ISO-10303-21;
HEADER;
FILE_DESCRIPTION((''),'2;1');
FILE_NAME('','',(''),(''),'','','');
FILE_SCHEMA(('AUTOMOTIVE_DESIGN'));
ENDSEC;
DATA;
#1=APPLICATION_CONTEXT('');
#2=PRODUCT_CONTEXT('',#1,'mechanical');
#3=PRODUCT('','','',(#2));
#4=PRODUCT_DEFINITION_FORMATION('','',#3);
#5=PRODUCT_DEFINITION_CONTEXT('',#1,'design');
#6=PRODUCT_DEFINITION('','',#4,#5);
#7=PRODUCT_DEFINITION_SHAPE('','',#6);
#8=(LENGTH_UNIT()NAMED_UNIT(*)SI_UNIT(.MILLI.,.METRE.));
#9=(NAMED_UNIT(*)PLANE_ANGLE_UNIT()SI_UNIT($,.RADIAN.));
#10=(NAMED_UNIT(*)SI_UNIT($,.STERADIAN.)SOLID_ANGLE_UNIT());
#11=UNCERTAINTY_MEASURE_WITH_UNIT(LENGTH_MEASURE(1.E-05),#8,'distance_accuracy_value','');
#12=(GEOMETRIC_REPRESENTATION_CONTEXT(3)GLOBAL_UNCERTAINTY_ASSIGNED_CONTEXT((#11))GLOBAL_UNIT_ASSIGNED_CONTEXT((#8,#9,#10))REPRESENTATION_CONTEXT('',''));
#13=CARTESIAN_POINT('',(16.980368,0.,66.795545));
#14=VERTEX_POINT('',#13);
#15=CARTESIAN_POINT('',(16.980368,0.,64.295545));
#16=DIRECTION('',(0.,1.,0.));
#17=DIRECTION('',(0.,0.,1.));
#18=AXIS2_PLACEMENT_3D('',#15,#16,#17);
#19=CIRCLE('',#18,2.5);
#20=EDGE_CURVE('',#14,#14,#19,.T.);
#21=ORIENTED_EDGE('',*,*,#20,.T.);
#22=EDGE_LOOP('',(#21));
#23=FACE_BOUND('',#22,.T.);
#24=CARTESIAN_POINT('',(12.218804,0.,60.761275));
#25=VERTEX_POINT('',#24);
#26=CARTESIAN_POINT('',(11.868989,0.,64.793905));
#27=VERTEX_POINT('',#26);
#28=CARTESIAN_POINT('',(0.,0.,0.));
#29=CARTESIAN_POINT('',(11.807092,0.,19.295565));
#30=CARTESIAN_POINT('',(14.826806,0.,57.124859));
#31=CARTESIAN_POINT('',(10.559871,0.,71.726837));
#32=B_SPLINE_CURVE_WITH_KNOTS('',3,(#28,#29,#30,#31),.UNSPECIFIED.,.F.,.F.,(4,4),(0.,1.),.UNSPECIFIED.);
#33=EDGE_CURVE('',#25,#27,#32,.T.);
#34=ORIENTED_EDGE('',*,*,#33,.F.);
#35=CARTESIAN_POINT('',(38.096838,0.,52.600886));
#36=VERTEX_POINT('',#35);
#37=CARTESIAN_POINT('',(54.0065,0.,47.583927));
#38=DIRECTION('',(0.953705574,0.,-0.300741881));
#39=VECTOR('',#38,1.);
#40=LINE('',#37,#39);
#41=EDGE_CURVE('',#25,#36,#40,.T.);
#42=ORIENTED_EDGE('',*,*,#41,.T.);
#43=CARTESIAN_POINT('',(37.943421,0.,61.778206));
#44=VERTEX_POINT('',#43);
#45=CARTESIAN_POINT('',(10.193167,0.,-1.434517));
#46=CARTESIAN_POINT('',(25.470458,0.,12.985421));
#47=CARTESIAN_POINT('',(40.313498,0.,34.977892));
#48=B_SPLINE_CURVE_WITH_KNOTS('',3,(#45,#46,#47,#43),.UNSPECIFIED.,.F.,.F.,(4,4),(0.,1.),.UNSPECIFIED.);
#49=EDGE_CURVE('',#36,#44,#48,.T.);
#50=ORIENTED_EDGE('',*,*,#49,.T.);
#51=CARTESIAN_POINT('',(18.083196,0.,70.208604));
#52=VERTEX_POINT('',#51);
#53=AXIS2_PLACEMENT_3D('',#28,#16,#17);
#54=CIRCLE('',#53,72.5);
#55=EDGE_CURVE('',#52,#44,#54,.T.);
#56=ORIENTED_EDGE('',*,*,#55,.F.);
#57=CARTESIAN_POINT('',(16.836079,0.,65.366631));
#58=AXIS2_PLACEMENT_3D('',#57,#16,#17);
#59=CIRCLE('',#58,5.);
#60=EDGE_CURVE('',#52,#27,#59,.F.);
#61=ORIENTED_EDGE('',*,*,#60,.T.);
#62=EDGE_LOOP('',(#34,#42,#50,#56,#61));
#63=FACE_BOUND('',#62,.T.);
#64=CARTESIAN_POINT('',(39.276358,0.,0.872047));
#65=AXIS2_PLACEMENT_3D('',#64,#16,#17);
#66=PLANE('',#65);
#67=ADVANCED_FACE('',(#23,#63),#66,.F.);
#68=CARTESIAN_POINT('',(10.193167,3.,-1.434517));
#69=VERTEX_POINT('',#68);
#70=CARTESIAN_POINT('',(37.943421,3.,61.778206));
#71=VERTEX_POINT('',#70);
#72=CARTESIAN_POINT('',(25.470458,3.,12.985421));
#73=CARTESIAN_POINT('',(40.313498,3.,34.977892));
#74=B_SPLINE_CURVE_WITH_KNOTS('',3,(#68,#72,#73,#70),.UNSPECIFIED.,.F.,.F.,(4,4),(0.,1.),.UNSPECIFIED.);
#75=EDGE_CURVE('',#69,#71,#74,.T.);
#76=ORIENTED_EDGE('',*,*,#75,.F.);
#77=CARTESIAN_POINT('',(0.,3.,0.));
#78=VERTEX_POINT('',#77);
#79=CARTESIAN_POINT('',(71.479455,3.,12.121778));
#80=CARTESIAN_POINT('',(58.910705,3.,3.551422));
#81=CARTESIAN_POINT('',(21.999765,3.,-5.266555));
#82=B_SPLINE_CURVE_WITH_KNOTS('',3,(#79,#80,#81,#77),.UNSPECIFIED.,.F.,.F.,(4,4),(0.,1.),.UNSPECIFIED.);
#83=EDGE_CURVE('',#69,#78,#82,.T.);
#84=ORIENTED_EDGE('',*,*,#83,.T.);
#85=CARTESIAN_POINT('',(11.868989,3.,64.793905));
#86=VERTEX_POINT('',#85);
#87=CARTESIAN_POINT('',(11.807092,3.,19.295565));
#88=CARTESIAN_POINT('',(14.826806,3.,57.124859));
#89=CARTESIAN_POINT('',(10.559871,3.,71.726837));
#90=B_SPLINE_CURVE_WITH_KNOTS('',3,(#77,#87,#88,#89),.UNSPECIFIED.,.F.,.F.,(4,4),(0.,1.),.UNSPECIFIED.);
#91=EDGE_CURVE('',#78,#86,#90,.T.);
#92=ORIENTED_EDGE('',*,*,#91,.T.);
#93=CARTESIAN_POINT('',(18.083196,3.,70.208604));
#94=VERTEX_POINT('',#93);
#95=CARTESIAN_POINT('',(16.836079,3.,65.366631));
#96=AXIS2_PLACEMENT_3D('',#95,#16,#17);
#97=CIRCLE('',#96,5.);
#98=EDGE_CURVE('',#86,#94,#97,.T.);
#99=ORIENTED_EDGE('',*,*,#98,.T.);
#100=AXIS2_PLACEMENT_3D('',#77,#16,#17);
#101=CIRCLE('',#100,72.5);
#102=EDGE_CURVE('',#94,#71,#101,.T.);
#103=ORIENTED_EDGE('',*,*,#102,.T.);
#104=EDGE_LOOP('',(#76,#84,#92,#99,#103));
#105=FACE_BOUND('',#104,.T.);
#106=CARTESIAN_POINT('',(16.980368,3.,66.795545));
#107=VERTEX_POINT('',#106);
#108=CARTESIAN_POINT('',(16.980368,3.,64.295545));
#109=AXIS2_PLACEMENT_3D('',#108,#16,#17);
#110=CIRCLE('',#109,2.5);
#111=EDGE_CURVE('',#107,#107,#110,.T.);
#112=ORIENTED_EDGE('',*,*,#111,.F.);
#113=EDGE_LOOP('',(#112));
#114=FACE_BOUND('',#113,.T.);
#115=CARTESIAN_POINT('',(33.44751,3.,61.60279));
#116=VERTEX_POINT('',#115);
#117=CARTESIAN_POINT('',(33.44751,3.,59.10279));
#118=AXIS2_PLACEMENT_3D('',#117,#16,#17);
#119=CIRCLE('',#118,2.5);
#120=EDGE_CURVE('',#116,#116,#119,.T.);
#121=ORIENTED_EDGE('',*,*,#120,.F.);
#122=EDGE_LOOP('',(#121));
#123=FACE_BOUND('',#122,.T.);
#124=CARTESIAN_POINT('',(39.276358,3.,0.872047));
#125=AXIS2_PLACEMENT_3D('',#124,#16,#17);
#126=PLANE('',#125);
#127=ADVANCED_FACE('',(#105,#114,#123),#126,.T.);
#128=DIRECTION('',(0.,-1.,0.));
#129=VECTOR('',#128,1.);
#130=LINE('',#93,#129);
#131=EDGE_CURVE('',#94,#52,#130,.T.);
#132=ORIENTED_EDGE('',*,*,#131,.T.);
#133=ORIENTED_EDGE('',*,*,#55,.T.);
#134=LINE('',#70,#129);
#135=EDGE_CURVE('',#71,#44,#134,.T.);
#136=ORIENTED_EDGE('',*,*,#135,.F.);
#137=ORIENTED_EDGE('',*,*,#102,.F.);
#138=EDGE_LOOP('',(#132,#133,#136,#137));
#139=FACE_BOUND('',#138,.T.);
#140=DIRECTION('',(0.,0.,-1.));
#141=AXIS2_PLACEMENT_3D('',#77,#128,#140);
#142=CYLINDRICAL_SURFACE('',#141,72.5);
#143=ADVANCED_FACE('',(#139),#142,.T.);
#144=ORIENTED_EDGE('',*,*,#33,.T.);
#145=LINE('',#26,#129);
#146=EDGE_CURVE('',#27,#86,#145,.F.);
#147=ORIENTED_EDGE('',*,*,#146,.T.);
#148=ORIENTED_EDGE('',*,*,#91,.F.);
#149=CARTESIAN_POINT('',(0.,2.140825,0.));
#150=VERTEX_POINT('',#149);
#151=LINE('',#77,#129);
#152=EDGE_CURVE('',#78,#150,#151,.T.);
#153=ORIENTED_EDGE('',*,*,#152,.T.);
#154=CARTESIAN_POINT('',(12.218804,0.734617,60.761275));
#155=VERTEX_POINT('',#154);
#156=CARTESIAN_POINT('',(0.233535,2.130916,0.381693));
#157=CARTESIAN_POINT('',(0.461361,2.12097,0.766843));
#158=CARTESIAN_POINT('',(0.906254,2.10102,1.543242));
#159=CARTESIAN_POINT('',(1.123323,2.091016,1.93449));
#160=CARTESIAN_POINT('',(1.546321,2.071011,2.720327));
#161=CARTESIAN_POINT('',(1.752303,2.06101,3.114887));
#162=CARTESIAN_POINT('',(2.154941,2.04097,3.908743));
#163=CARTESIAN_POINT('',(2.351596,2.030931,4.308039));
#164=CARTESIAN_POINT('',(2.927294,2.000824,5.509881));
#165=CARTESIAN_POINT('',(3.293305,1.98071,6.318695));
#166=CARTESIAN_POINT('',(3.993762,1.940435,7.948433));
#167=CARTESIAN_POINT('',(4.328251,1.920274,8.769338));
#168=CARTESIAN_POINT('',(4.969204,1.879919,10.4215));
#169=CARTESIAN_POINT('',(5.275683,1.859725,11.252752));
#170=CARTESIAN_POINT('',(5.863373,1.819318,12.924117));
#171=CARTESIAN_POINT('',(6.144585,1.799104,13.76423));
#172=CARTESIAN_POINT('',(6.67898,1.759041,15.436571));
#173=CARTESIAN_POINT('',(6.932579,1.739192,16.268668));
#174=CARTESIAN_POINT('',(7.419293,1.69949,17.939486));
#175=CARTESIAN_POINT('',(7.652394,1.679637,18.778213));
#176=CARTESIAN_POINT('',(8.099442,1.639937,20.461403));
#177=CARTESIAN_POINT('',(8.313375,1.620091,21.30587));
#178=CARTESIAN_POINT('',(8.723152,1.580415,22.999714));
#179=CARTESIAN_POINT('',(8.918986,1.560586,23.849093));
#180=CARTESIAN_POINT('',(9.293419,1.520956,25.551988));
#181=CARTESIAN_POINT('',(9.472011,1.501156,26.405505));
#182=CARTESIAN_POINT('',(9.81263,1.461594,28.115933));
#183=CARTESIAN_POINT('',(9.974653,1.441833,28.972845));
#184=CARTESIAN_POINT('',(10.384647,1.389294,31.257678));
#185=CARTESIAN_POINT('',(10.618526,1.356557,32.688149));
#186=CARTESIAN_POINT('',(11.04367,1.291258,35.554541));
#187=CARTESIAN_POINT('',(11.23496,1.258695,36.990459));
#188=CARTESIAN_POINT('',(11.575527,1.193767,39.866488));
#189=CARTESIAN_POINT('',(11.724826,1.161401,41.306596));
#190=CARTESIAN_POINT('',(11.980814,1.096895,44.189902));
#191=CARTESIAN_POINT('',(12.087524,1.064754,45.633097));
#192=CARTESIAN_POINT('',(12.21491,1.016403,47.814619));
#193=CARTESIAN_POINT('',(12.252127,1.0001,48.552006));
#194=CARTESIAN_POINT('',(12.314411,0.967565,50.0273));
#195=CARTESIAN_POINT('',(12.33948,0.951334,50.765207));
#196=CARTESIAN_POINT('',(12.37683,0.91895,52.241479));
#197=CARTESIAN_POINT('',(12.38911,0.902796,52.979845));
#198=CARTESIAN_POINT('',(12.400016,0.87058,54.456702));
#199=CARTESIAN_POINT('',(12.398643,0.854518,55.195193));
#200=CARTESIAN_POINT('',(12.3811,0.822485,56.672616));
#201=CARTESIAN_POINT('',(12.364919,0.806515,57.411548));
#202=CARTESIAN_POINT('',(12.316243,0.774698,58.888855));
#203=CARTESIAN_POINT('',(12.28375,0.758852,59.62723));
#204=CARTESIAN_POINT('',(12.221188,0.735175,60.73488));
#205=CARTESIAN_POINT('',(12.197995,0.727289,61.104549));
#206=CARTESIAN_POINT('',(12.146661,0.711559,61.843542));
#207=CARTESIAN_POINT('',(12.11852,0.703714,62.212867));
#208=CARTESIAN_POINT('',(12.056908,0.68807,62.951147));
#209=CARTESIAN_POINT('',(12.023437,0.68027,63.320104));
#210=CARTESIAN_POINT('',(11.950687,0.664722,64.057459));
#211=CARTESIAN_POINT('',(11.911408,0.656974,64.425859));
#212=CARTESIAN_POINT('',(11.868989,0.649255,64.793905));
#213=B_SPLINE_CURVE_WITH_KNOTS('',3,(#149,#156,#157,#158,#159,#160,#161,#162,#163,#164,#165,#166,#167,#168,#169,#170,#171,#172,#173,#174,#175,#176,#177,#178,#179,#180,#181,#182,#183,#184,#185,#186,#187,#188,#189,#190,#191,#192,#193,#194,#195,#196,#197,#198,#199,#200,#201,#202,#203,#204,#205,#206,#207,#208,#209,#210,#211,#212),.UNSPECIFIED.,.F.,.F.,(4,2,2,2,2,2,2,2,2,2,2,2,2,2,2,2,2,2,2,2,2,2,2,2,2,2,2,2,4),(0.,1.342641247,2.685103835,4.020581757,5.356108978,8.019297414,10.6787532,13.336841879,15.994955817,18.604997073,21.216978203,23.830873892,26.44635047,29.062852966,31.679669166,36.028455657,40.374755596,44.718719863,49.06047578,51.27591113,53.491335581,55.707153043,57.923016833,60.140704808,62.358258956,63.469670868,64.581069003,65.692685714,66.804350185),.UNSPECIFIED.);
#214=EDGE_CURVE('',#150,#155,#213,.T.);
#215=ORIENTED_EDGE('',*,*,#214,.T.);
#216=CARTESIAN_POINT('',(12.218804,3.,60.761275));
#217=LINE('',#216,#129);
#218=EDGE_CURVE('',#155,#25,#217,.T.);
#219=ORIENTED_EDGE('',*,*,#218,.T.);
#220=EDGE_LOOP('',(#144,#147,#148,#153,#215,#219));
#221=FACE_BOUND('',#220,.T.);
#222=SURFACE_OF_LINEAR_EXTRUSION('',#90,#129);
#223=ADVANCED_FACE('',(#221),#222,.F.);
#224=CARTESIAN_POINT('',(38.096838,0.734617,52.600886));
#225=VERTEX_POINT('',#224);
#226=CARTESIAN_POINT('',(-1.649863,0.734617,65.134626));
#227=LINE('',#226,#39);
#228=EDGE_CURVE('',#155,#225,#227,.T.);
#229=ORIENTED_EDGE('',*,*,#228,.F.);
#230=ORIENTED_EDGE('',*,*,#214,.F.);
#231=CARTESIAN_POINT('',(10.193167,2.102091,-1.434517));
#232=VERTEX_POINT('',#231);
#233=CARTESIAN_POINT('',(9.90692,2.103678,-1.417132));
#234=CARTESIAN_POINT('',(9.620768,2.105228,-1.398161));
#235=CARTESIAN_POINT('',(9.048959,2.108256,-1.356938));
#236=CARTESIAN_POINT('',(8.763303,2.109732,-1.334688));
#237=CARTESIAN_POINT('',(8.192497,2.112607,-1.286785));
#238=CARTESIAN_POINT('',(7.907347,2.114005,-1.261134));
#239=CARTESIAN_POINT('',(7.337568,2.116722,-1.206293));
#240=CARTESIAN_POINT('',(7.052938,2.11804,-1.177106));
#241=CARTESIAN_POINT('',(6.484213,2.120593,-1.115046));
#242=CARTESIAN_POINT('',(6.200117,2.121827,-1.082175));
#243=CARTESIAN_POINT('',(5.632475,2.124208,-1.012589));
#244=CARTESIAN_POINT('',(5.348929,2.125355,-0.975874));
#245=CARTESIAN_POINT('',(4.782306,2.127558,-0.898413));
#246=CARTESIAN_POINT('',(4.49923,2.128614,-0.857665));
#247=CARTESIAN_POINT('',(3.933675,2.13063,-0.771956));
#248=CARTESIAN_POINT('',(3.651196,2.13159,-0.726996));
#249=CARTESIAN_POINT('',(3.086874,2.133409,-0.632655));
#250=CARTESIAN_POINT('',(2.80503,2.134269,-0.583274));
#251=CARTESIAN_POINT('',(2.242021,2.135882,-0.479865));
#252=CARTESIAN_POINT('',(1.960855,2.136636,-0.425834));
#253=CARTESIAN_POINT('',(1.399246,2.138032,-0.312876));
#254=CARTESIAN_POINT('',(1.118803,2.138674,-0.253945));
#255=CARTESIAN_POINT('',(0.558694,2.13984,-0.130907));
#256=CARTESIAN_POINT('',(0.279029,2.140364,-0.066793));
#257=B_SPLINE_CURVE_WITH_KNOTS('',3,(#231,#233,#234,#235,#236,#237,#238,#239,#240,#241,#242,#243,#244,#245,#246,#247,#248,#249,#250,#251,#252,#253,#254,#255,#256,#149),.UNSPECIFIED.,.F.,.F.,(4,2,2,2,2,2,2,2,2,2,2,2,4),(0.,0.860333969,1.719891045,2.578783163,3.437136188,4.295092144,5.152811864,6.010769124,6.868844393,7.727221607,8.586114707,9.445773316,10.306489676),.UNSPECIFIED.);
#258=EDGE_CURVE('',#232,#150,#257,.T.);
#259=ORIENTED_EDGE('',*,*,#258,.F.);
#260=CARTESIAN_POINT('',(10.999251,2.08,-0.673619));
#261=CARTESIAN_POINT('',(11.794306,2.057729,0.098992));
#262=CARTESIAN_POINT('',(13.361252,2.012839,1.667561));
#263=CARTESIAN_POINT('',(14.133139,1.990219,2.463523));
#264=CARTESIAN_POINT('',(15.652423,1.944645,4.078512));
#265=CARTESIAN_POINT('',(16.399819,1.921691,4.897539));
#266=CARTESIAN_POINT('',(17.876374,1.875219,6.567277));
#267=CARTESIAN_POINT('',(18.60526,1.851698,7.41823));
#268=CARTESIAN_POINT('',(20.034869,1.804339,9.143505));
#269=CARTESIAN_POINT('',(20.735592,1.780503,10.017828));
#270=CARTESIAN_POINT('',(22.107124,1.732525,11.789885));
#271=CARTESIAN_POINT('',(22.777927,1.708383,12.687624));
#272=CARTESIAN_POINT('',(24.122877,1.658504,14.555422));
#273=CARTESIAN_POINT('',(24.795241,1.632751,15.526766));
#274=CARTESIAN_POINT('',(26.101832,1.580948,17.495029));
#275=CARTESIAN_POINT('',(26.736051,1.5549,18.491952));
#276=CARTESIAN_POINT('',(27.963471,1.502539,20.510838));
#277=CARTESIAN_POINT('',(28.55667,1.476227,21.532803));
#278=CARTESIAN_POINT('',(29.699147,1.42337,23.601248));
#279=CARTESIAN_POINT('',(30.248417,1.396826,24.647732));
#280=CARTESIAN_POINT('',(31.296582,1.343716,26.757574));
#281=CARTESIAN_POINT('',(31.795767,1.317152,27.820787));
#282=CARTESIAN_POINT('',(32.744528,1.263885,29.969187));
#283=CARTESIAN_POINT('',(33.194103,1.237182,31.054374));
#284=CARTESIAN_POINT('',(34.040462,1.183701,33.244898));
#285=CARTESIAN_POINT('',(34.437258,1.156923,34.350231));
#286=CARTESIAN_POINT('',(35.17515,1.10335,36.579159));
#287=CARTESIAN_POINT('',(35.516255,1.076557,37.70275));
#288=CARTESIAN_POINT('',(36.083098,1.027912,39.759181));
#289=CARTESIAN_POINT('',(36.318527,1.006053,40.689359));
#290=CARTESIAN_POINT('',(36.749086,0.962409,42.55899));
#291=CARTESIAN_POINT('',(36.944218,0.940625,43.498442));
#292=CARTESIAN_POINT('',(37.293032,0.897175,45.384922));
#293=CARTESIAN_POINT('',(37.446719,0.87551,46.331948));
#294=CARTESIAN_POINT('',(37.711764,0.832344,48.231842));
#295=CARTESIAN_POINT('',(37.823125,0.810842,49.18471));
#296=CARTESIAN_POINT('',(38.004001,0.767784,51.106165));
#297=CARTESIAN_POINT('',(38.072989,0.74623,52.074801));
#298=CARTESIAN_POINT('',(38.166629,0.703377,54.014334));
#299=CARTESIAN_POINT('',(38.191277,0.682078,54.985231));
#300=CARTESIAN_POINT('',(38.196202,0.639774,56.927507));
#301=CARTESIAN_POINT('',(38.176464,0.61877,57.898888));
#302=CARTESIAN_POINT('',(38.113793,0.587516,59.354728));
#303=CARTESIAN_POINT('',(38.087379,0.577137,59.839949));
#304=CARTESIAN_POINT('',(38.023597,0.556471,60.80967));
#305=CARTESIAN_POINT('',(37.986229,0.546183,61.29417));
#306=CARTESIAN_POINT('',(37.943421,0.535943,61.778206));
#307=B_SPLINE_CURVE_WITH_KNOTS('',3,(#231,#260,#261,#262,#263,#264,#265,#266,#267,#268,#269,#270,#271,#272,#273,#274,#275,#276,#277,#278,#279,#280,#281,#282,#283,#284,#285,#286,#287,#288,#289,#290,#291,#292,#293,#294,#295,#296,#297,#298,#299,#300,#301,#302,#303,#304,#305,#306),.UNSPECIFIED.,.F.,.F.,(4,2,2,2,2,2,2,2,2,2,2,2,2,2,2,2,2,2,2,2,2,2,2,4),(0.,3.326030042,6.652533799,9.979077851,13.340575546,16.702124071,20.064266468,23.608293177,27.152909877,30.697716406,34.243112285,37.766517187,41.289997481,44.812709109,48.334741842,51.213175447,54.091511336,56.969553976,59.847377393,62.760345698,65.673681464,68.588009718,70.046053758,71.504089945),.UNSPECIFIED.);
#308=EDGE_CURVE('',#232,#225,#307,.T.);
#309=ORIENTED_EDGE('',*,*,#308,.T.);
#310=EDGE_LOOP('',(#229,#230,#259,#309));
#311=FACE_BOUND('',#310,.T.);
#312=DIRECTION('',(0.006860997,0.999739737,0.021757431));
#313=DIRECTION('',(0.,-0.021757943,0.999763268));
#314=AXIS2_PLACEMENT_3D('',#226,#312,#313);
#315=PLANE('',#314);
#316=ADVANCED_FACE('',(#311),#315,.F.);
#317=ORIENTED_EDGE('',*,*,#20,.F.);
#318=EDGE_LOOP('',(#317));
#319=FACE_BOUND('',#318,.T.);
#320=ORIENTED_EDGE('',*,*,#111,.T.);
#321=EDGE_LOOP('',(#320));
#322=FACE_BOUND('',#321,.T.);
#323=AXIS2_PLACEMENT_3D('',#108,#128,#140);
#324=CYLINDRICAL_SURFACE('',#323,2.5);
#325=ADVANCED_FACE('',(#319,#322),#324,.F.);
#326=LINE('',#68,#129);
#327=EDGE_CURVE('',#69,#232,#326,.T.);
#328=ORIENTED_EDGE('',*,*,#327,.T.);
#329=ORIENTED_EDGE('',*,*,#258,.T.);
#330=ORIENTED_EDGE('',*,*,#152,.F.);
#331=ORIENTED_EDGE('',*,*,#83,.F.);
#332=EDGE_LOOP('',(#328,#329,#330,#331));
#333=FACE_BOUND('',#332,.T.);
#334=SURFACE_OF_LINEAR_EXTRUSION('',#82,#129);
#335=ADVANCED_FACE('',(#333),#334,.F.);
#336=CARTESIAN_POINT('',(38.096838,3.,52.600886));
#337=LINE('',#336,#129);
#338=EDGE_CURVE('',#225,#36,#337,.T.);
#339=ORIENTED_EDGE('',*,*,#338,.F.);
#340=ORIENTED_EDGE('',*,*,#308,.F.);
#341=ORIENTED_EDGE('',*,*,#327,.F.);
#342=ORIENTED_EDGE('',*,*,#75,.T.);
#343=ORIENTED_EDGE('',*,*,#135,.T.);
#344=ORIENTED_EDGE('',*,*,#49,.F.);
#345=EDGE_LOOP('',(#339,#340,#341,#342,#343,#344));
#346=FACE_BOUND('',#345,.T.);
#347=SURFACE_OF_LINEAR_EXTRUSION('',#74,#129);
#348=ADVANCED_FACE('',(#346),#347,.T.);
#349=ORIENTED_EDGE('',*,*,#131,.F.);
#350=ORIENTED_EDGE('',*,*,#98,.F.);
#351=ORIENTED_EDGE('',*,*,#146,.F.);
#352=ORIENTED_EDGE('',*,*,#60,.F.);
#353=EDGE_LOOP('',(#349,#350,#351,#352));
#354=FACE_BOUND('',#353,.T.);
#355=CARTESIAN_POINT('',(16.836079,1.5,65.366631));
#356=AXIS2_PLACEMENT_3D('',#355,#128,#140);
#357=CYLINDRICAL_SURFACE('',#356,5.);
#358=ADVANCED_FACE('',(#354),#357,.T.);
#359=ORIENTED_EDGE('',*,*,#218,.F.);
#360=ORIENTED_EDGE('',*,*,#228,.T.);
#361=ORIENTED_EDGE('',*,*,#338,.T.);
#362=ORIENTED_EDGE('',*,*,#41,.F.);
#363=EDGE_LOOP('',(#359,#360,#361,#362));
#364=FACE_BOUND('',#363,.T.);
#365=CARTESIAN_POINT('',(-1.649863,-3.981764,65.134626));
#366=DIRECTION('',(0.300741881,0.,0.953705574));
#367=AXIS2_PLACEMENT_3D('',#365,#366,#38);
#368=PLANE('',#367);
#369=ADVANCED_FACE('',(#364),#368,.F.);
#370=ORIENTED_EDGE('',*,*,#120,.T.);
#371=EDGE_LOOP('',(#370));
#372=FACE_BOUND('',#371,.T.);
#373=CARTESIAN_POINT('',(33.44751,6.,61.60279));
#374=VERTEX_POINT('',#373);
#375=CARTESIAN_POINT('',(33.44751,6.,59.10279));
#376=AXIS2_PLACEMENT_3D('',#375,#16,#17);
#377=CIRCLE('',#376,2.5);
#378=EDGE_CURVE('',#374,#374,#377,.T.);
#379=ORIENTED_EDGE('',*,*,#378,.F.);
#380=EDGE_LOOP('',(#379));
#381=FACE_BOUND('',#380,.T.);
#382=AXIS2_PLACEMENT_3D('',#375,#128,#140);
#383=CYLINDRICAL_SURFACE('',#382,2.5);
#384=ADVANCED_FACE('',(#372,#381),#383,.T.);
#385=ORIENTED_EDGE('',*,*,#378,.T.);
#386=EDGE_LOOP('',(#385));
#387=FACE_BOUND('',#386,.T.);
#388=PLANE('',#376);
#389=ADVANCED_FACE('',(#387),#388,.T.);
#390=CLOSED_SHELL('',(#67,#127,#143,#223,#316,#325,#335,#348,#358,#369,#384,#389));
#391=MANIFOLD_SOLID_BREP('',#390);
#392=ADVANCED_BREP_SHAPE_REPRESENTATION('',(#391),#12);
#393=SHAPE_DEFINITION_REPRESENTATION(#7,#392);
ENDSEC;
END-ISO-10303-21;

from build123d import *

# Parameters (mm, degrees)
EXTRUDE_2_DEPTH          = 3
SKETCH_6_R               = 2.5
CUT_EXTRUDE_3_DEPTH      = 3
FILLET_1_R               = 5
EXTRUDE_START            = 3
SKETCH_12_R              = 2.5
EXTRUDE_3_DEPTH          = 3
CUT_EXTRUDE_4_DEPTH      = 53.075400229
CUT_EXTRUDE_4_DEPTH_BACK = 53.075400229


with BuildPart() as part:
    # 草图5 → 凸台-拉伸2 (new body)
    with BuildSketch(Plane(origin=(0, 0, 0), x_dir=(1, 0, 0), z_dir=(0, 1, 0))):
        with BuildLine():
            ThreePointArc((10.559870576, -71.726836912), (50.703091685, -51.821293824), (71.479455105, -12.121777836))
            add(Edge.make_bspline(
                [(0, 0), (21.999765175, 5.26655471), (58.910704789, -3.551422078), (71.479455105, -12.121777836)],
                knots=[0, 0, 0, 0, 1, 1, 1, 1], degree=3))
            add(Edge.make_bspline(
                [(0, 0), (11.807092486, -19.295565119), (14.826805821, -57.124859445), (10.559870576, -71.726836912)],
                knots=[0, 0, 0, 0, 1, 1, 1, 1], degree=3))
        make_face()
    extrude(amount=EXTRUDE_2_DEPTH)

    # 草图6 → 切除-拉伸3 (cut)
    with BuildSketch(Plane(origin=(0, 0, 0), x_dir=(1, 0, 0), z_dir=(0, 1, 0))):
        with Locations(Location((16.980367579, -64.295545078, 0), (0, 0, 270))):
            Circle(SKETCH_6_R)
        with BuildLine():
            Line((10.193167245, 1.43451668), (79.733938156, 38.033041096))
            Line((79.733938156, 38.033041096), (67.619590309, -86.298423653))
            Line((67.619590309, -86.298423653), (37.943421347, -61.778206323))
            add(Edge.make_bspline(
                [(10.193167245, 1.43451668), (25.470457842, -12.985420951), (40.3134982, -34.977892419), (37.943421347, -61.778206323)],
                knots=[0, 0, 0, 0, 1, 1, 1, 1], degree=3))
        make_face()
    extrude(amount=CUT_EXTRUDE_3_DEPTH, mode=Mode.SUBTRACT)

    # 圆角1
    fillet_1_edges = [part.edges().sort_by_distance(p)[0] for p in [
        (10.559870576, 1.5, 71.726836912),
    ]]
    fillet(fillet_1_edges, radius=FILLET_1_R)

    # 草图12 → 凸台-拉伸3 (add)
    with BuildSketch(Plane(origin=(0, 0, 0), x_dir=(1, 0, 0), z_dir=(0, 1, 0)).offset(EXTRUDE_START)):
        with Locations(Location((33.447510377, -59.102789962, 0), (0, 0, 270))):
            Circle(SKETCH_12_R)
    extrude(amount=EXTRUDE_3_DEPTH)

    # 草图15 → 切除-拉伸4 (cut, two sides: drawn at the far end of the back side and taken through both)
    with BuildSketch(Plane(origin=(20.307849495, 0, 46.141092032), x_dir=(-0.3007418808113313, 0, -0.9537055736054305), z_dir=(0.9537055736054305, 0, -0.3007418808113313)).offset(-CUT_EXTRUDE_4_DEPTH_BACK)):
        Polygon((-11.510635463, 0.734616999), (50.112437496, 2.140825412), (51.673202283, 2.140825412), (51.673202283, -11.401301697), (-11.510635463, -3.981764366), align=None)
    extrude(amount=CUT_EXTRUDE_4_DEPTH + CUT_EXTRUDE_4_DEPTH_BACK, mode=Mode.SUBTRACT)


solid = part.part
